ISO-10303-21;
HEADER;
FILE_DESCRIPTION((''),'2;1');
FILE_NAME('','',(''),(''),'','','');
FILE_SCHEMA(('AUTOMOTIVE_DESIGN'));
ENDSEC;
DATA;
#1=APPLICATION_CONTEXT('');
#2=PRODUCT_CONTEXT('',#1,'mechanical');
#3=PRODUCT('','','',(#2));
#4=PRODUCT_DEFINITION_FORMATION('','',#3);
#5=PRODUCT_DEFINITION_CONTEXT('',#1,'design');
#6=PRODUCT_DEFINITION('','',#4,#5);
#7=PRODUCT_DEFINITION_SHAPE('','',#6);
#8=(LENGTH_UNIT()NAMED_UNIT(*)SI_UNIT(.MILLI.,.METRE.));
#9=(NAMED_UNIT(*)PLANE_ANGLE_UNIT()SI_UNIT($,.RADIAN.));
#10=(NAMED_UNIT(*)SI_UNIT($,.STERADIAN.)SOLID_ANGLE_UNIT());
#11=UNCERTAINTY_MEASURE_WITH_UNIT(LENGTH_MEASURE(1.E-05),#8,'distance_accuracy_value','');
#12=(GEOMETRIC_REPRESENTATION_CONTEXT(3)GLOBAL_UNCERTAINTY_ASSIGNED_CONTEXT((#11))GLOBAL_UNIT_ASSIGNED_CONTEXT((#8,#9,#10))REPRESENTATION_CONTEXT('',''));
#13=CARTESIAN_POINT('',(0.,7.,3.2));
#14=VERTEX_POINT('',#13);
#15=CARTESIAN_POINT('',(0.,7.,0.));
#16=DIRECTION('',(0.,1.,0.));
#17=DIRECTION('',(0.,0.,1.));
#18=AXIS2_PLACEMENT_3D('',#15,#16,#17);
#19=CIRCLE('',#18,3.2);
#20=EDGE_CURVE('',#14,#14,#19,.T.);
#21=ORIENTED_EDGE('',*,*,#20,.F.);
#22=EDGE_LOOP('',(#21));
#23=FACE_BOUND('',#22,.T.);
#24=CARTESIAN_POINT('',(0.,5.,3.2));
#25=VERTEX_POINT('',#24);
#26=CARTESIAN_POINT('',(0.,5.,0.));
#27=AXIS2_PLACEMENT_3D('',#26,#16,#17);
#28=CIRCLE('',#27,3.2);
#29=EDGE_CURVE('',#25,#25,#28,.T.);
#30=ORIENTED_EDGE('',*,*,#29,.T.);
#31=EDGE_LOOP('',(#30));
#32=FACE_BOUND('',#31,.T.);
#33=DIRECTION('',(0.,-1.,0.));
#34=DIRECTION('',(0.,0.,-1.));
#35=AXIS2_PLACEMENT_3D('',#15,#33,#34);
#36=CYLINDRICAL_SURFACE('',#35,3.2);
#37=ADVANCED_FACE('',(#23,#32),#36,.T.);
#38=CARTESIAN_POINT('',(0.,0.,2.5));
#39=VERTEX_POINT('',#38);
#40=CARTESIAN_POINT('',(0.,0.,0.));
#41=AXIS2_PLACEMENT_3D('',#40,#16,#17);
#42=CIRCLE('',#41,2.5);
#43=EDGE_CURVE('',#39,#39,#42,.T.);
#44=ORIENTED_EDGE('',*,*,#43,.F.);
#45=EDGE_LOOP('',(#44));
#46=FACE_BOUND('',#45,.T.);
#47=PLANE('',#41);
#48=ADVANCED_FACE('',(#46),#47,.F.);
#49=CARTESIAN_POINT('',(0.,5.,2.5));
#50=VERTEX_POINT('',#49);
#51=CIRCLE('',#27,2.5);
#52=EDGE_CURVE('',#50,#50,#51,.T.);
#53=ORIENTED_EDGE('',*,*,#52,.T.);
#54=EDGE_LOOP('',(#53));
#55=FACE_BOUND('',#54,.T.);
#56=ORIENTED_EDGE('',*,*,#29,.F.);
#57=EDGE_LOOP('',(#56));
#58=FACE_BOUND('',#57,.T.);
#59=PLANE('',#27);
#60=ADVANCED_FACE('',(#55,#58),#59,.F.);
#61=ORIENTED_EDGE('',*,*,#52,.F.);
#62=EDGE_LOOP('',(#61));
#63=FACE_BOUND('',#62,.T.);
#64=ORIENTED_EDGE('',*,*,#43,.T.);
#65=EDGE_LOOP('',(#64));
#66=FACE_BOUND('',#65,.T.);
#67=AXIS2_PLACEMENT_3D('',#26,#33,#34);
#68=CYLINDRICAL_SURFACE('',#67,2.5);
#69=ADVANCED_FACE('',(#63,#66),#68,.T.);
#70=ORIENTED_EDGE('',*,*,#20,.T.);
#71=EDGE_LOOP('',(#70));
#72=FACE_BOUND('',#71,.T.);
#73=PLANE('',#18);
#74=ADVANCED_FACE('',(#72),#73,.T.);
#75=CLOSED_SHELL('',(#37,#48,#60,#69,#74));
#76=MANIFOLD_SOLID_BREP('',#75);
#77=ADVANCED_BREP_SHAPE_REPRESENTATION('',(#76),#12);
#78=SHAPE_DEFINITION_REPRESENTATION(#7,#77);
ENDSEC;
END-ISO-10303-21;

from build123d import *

# Parameters (mm, degrees)
SKETCH_1_R      = 2.5
EXTRUDE_1_DEPTH = 5
SKETCH_2_R      = 3.2
EXTRUDE_2_DEPTH = 2


with BuildPart() as part:
    # Эскиз1 → Бобышка-Вытянуть1 (new body)
    with BuildSketch(Plane(origin=(0, 0, 0), x_dir=(1, 0, 0), z_dir=(0, 1, 0))):
        with Locations(Location((0, 0, 0), (0, 0, 270))):
            Circle(SKETCH_1_R)
    extrude(amount=EXTRUDE_1_DEPTH)

    # Эскиз2 → Бобышка-Вытянуть2 (add)
    with BuildSketch(Plane(origin=(0, 5, 0), x_dir=(1, 0, 0), z_dir=(0, 1, 0))):
        with Locations(Location((0, 0, 0), (0, 0, 270))):
            Circle(SKETCH_2_R)
    extrude(amount=EXTRUDE_2_DEPTH)


solid = part.part
